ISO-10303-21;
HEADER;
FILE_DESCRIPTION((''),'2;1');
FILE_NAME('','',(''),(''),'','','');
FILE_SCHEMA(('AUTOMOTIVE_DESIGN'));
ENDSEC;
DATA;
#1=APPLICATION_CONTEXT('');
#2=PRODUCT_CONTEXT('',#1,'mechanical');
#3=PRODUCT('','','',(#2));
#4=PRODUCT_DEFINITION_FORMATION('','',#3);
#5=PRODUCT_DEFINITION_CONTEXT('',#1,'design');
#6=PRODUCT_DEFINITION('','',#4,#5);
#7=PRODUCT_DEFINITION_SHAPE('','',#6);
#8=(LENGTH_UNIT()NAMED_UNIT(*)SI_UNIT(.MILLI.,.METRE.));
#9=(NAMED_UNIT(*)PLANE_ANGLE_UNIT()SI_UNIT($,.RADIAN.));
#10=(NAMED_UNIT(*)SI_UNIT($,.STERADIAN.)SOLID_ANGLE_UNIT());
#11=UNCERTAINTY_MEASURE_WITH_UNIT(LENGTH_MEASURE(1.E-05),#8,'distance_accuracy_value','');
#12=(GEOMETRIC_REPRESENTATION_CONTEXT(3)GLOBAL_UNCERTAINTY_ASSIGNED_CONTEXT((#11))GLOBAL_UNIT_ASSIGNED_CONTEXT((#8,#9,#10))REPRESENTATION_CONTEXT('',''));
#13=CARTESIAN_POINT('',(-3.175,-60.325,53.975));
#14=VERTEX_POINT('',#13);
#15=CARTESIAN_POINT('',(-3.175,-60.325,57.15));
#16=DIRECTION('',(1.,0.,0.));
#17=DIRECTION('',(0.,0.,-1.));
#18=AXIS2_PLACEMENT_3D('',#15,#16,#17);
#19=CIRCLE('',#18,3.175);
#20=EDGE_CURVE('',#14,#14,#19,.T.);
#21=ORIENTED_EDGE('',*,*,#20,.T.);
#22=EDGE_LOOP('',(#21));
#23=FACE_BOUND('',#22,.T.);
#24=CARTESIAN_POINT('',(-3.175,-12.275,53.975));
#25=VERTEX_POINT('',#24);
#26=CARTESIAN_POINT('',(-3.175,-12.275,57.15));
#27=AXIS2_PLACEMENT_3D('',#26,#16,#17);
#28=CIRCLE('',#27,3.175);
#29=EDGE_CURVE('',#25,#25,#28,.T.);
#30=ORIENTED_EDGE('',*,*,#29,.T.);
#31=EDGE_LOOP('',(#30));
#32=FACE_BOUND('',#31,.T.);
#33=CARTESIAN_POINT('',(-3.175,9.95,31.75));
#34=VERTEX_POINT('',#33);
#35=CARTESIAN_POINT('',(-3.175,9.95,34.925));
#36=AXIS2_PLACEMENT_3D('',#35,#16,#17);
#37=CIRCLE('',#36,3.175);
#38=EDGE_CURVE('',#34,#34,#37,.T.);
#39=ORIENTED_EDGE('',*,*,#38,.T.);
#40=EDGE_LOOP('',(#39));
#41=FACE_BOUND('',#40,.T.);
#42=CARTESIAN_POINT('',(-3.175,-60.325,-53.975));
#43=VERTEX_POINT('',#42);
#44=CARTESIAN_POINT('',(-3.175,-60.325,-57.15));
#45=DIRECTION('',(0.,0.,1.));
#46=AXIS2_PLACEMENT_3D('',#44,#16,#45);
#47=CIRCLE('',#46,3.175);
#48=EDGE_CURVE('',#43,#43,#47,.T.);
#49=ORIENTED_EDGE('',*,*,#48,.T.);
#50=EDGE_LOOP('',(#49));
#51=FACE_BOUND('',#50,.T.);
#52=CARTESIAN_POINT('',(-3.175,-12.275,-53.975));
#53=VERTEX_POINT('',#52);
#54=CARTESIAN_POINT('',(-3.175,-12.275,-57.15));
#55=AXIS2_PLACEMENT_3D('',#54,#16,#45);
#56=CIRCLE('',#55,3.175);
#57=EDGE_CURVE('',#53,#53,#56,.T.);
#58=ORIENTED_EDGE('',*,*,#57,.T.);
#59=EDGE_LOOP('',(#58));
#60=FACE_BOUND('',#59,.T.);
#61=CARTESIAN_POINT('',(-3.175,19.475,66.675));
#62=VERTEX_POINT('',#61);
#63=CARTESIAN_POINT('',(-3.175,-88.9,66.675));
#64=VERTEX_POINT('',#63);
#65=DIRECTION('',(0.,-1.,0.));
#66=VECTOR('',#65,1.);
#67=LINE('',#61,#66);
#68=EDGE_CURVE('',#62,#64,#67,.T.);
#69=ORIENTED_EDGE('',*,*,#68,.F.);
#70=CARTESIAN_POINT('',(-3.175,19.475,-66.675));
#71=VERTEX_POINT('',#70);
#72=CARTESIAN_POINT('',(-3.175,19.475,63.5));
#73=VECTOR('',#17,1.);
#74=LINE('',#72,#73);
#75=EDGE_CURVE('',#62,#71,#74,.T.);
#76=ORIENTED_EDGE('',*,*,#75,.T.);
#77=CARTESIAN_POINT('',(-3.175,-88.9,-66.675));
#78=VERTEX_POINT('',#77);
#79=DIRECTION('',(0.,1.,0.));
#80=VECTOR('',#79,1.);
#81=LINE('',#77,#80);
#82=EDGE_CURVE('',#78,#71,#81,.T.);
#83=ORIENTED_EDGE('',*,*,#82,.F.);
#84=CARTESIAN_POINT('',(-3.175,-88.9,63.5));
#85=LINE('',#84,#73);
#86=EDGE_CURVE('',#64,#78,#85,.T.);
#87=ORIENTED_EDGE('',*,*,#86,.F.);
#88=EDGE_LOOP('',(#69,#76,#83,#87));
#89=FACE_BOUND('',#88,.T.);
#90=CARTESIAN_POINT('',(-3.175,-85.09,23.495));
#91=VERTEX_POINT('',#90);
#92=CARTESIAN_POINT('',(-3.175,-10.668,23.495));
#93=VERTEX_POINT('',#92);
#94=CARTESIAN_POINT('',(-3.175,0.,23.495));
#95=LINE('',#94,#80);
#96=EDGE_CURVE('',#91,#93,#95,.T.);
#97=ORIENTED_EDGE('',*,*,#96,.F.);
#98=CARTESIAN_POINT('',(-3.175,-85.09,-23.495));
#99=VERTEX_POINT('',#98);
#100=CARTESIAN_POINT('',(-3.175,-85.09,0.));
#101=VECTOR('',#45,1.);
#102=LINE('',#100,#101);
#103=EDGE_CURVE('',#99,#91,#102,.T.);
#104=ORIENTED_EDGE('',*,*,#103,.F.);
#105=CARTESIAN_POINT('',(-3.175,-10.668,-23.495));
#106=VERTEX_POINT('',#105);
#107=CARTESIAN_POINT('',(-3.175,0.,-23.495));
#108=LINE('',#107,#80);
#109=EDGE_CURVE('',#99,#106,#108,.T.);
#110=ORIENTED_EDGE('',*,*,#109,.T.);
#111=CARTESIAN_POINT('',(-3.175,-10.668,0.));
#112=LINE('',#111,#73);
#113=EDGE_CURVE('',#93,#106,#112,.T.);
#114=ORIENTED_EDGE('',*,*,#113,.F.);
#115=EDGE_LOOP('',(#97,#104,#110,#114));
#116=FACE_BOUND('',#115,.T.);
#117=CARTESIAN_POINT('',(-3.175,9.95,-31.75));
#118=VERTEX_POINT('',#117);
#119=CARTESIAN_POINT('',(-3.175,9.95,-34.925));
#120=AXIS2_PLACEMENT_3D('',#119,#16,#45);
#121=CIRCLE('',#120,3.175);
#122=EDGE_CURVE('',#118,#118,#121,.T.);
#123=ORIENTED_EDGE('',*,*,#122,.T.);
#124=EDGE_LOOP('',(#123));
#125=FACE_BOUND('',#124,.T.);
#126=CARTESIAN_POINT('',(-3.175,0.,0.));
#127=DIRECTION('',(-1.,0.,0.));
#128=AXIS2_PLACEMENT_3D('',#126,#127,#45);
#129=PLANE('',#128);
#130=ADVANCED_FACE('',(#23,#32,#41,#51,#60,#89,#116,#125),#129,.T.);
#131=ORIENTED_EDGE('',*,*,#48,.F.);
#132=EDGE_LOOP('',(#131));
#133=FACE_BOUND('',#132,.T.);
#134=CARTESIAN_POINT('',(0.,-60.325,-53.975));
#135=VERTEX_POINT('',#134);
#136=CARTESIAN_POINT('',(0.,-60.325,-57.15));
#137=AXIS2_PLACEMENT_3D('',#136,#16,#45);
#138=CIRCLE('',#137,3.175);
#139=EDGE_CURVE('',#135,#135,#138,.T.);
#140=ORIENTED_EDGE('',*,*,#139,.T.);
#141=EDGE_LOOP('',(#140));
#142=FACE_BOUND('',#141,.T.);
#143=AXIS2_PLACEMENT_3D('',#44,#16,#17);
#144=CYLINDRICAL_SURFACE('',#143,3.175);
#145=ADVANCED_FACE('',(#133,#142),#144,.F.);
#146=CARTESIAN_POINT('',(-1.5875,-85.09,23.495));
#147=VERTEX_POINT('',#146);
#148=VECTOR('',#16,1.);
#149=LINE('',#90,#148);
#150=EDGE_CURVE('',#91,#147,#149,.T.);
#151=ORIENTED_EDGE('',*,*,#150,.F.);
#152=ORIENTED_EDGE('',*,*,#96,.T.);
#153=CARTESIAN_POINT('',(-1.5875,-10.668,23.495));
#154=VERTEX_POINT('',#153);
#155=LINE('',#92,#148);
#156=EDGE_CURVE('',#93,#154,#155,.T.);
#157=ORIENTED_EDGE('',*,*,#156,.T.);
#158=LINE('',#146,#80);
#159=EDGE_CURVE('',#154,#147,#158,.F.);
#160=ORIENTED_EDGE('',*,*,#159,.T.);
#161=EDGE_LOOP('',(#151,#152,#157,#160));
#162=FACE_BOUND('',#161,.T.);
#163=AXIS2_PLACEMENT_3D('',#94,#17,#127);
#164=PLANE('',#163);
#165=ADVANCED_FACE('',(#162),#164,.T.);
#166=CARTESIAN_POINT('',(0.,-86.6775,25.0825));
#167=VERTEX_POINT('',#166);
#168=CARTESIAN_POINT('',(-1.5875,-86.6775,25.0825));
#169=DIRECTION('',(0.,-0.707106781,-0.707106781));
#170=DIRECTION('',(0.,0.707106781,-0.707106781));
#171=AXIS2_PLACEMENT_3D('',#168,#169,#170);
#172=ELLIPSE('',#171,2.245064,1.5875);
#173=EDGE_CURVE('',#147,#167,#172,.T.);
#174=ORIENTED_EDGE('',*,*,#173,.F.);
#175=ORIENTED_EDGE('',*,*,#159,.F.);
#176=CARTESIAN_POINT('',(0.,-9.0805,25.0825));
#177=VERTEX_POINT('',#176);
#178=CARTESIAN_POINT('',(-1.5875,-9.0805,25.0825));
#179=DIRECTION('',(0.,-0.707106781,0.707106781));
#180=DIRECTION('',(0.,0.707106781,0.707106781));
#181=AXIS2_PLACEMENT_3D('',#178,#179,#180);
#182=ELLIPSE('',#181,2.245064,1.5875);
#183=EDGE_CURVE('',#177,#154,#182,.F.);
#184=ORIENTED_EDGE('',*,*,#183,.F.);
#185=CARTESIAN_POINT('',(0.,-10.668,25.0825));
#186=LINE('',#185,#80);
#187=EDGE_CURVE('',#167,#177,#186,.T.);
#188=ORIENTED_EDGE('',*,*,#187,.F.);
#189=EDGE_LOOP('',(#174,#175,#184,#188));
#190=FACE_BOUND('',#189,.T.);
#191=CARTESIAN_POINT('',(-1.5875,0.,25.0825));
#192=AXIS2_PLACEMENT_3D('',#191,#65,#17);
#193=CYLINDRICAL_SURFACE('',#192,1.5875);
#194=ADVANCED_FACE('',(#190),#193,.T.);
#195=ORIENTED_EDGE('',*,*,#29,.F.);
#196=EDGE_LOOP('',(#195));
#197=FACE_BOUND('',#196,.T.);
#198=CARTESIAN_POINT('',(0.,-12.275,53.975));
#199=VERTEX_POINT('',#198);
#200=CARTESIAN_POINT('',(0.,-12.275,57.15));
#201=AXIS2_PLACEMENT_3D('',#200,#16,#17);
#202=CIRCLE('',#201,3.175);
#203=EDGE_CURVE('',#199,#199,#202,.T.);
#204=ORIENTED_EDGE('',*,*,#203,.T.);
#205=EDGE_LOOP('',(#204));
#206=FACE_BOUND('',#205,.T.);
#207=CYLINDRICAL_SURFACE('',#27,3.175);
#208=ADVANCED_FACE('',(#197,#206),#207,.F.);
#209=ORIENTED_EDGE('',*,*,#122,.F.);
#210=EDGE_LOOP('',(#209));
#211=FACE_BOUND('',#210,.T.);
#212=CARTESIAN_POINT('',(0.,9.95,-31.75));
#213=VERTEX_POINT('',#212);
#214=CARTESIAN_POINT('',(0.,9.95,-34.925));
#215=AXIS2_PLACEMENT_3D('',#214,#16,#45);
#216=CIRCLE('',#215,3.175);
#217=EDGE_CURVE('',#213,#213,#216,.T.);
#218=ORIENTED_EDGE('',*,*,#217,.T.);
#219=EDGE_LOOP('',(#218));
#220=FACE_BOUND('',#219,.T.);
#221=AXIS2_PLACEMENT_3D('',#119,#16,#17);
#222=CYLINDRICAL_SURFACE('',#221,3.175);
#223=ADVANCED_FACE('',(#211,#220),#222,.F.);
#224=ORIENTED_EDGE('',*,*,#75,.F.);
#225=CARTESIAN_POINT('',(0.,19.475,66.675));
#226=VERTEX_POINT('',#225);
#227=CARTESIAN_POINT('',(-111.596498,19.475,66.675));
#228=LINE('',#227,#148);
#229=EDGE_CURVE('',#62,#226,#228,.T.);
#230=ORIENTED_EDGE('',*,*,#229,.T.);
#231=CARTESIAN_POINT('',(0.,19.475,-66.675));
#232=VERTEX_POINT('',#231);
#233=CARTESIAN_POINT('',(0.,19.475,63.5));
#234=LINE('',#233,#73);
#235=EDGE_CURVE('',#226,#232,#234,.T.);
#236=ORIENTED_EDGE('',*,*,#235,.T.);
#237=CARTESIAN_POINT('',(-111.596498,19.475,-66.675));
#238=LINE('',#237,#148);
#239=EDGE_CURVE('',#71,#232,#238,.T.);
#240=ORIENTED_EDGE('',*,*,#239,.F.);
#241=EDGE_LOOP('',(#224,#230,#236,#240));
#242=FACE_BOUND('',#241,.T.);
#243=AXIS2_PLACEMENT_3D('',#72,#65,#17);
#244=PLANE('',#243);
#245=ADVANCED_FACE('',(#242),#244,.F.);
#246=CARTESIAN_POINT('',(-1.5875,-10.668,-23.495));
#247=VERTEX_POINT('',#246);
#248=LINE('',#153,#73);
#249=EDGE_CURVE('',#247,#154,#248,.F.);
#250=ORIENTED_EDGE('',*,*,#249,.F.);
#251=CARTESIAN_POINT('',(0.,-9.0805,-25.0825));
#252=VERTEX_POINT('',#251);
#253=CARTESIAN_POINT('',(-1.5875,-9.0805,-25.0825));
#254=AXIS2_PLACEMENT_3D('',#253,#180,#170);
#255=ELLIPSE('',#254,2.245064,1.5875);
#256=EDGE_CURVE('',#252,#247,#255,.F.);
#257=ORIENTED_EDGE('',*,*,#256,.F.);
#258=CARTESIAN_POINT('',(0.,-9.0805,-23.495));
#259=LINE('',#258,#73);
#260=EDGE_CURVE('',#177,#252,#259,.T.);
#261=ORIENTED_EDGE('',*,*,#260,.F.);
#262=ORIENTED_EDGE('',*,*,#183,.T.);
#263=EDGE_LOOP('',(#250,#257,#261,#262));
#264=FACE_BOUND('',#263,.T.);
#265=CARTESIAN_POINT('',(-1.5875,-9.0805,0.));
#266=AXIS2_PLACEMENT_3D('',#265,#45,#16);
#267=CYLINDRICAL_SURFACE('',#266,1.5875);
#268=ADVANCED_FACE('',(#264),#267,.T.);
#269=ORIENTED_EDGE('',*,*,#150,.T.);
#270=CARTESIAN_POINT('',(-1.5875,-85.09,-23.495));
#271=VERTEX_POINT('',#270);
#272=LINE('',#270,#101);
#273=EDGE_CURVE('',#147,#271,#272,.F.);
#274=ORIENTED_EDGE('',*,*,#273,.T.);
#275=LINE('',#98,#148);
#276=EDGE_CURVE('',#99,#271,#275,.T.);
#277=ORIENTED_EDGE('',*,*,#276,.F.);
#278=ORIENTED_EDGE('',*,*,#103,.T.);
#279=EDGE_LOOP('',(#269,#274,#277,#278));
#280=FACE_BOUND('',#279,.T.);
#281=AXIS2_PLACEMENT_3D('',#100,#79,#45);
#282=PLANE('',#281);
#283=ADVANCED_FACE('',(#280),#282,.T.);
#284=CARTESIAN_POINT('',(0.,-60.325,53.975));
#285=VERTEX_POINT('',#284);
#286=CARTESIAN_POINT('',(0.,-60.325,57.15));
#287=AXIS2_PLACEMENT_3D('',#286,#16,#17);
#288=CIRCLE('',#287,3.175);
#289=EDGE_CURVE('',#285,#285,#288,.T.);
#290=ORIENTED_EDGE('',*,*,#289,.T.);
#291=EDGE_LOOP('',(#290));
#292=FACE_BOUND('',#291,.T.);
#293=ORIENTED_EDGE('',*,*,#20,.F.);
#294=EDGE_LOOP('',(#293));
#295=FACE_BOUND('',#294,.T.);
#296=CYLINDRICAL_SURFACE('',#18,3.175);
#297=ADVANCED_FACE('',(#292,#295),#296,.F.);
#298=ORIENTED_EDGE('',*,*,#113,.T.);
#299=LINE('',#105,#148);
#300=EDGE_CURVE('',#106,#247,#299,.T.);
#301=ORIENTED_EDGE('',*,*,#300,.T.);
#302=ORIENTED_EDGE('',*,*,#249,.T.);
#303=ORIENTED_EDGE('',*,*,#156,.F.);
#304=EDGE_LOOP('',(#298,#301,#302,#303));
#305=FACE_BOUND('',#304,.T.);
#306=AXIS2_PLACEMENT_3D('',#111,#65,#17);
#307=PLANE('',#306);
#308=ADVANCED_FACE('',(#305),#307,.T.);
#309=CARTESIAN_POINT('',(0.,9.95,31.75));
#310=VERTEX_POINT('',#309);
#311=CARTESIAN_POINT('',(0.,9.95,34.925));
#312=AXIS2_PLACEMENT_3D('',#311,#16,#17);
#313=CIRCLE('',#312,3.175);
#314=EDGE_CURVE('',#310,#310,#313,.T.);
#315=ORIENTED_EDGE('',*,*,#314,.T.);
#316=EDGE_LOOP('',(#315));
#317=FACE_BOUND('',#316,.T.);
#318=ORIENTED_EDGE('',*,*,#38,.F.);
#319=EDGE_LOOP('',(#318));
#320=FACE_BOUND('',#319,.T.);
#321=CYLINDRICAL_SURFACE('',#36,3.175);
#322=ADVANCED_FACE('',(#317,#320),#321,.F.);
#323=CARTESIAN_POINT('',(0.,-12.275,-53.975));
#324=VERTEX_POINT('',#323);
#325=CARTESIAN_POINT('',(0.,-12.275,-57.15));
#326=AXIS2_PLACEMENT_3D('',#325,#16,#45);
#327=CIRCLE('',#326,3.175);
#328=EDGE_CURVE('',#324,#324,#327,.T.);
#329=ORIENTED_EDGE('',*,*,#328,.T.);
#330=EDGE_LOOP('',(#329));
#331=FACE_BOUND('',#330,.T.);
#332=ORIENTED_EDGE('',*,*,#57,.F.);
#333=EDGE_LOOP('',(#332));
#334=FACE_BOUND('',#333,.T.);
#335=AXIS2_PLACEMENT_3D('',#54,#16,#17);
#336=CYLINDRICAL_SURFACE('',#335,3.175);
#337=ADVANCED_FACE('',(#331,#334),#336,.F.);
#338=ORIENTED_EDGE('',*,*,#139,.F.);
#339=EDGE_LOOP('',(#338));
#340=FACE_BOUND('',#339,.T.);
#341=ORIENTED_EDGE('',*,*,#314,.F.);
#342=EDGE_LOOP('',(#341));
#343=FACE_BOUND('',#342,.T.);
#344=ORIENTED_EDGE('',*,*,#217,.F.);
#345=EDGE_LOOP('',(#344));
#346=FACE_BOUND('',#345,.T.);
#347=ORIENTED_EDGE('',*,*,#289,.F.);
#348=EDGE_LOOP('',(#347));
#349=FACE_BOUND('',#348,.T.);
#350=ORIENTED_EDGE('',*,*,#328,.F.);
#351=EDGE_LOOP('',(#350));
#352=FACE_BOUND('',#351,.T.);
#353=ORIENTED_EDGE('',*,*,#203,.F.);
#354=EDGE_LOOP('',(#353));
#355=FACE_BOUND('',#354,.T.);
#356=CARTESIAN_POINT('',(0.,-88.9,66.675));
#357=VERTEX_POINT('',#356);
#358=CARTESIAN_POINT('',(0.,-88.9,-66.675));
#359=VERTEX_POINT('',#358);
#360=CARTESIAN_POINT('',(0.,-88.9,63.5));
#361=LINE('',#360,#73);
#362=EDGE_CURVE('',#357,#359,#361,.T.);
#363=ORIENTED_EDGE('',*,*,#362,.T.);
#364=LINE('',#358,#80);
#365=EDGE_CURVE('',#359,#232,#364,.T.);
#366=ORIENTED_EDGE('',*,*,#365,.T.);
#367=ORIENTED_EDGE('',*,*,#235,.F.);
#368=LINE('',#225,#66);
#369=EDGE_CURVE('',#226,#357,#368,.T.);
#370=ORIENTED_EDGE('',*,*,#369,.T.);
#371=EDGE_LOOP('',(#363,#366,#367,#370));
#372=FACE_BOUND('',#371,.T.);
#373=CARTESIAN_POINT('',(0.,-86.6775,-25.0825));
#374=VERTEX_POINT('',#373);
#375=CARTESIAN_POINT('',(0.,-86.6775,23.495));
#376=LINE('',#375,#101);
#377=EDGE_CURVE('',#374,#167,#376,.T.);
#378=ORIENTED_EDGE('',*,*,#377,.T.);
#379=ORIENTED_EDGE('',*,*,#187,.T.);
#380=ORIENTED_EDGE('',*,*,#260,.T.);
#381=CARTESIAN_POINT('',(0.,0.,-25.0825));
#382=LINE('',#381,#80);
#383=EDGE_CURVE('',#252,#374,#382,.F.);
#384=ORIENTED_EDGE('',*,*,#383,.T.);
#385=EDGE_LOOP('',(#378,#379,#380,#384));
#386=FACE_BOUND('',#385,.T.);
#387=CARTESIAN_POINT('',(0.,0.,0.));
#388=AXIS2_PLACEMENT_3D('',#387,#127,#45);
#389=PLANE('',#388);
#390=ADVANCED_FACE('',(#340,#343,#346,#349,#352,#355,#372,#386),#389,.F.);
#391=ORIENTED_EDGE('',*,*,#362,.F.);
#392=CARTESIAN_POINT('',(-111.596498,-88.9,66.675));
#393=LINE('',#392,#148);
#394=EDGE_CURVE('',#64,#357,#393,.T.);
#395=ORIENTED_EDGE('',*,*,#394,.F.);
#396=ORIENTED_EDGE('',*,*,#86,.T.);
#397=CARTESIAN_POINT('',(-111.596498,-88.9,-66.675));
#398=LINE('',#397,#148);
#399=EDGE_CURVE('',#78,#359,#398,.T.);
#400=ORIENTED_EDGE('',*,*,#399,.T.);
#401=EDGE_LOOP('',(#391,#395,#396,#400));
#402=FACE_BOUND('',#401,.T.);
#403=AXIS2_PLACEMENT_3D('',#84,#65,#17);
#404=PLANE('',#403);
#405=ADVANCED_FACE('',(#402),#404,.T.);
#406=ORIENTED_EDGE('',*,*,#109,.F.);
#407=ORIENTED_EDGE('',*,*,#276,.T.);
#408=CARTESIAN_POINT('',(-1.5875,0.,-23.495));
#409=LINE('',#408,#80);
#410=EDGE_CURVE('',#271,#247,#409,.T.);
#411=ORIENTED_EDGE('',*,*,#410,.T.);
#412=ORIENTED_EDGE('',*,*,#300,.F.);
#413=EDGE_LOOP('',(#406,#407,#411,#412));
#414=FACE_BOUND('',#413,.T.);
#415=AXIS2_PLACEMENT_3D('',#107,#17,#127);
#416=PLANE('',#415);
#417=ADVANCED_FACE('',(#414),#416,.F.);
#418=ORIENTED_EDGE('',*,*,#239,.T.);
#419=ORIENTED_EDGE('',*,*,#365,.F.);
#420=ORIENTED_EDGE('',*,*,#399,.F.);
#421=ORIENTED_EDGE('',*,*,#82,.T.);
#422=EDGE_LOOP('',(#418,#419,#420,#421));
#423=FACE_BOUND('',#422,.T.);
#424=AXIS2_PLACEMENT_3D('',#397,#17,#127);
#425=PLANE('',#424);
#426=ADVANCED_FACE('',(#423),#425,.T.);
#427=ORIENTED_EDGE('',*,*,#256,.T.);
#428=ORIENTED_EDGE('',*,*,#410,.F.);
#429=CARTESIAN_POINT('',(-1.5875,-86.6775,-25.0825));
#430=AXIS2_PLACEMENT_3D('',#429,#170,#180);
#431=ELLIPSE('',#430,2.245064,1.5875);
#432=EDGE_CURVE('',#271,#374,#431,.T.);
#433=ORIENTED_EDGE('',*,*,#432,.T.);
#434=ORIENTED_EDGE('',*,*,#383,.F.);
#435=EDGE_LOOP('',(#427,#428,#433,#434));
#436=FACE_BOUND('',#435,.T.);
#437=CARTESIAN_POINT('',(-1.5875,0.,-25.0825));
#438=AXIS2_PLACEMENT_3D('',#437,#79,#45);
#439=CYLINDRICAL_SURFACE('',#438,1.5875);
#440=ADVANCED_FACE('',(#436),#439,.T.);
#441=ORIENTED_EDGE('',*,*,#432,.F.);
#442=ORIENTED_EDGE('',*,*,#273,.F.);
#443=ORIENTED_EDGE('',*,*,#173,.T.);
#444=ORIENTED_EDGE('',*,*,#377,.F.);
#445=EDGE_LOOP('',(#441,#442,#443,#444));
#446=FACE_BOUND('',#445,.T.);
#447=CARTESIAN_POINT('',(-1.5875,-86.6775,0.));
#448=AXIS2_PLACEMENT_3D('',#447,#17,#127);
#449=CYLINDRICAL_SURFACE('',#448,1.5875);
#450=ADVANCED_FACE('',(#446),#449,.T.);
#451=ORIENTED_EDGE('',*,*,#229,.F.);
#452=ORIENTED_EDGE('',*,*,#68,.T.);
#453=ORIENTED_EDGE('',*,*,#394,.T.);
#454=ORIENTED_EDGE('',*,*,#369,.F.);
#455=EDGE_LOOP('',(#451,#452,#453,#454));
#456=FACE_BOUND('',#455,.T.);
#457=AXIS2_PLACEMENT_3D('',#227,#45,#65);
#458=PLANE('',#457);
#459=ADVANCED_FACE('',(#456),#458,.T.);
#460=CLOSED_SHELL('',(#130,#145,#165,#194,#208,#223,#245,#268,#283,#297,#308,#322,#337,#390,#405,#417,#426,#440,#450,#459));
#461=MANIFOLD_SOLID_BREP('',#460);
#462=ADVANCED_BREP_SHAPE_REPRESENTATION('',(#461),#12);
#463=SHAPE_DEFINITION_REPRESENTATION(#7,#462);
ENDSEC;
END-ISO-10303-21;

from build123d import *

# Parameters (mm, degrees)
SKETCH1_W           = 127
SKETCH1_H           = 177.8
BOSS_EXTRUDE1_DEPTH = 3.175
SKETCH7_W           = 127
SKETCH7_H           = 69.425000088
CUT_EXTRUDE5_DEPTH  = 110.295656936
SKETCH8_W           = 3.175
SKETCH8_H           = 108.374999912
BOSS_EXTRUDE2_DEPTH = 3.175
SKETCH9_W           = 46.99
SKETCH9_H           = 74.422
CUT_EXTRUDE6_DEPTH  = 112.17034789
FILLET1_R           = 1.5875
SKETCH10_R          = 3.175
CUT_EXTRUDE7_DEPTH  = 112.17034789


with BuildPart() as part:
    # Sketch1 → Boss-Extrude1 (new body)
    with BuildSketch(Plane(origin=(0, 0, 0), x_dir=(0, 0, -1), z_dir=(1, 0, 0))):
        Rectangle(SKETCH1_W, SKETCH1_H)
    extrude(amount=-BOSS_EXTRUDE1_DEPTH)

    # Sketch7 → Cut-Extrude5 (cut, through all)
    with BuildSketch(Plane(origin=(0, 0, 0), x_dir=(0, 0, -1), z_dir=(1, 0, 0))):
        with Locations((0, 54.187499956)):
            Rectangle(SKETCH7_W, SKETCH7_H)
    extrude(amount=-CUT_EXTRUDE5_DEPTH, mode=Mode.SUBTRACT)

    # Sketch8 → Boss-Extrude2 (add)
    with BuildSketch(Plane(origin=(0, 0, 0), x_dir=(0, 0, -1), z_dir=(1, 0, 0))):
        with Locations((-65.0875, -34.712500044)):
            Rectangle(SKETCH8_W, SKETCH8_H)
        with Locations((65.0875, -34.712500044)):
            Rectangle(SKETCH8_W, SKETCH8_H)
    extrude(amount=-BOSS_EXTRUDE2_DEPTH)

    # Sketch9 → Cut-Extrude6 (cut, through all)
    with BuildSketch(Plane(origin=(0, 0, 0), x_dir=(0, 0, -1), z_dir=(1, 0, 0))):
        with Locations((0, -47.879)):
            Rectangle(SKETCH9_W, SKETCH9_H)
    extrude(amount=-CUT_EXTRUDE6_DEPTH, mode=Mode.SUBTRACT)

    # Fillet1
    fillet1_edges = [part.edges().sort_by_distance(p)[0] for p in [
        (0, -10.668, 0),
        (0, -85.09, 0),
        (0, -47.879, 23.495),
        (0, -47.879, -23.495),
    ]]
    fillet(fillet1_edges, radius=FILLET1_R)

    # Sketch10 → Cut-Extrude7 (cut, through all)
    with BuildSketch(Plane(origin=(0, 0, 0), x_dir=(0, 0, -1), z_dir=(1, 0, 0))):
        with Locations((-57.15, -60.325)):
            Circle(SKETCH10_R)
        with Locations((-57.15, -12.275000088)):
            Circle(SKETCH10_R)
        with Locations((-34.925, 9.949999912)):
            Circle(SKETCH10_R)
        with Locations(Location((34.925, 9.949999912, 0), (0, 0, 180))):
            Circle(SKETCH10_R)
        with Locations(Location((57.15, -12.275000088, 0), (0, 0, 180))):
            Circle(SKETCH10_R)
        with Locations(Location((57.15, -60.325, 0), (0, 0, 180))):
            Circle(SKETCH10_R)
    extrude(amount=-CUT_EXTRUDE7_DEPTH, mode=Mode.SUBTRACT)


solid = part.part
